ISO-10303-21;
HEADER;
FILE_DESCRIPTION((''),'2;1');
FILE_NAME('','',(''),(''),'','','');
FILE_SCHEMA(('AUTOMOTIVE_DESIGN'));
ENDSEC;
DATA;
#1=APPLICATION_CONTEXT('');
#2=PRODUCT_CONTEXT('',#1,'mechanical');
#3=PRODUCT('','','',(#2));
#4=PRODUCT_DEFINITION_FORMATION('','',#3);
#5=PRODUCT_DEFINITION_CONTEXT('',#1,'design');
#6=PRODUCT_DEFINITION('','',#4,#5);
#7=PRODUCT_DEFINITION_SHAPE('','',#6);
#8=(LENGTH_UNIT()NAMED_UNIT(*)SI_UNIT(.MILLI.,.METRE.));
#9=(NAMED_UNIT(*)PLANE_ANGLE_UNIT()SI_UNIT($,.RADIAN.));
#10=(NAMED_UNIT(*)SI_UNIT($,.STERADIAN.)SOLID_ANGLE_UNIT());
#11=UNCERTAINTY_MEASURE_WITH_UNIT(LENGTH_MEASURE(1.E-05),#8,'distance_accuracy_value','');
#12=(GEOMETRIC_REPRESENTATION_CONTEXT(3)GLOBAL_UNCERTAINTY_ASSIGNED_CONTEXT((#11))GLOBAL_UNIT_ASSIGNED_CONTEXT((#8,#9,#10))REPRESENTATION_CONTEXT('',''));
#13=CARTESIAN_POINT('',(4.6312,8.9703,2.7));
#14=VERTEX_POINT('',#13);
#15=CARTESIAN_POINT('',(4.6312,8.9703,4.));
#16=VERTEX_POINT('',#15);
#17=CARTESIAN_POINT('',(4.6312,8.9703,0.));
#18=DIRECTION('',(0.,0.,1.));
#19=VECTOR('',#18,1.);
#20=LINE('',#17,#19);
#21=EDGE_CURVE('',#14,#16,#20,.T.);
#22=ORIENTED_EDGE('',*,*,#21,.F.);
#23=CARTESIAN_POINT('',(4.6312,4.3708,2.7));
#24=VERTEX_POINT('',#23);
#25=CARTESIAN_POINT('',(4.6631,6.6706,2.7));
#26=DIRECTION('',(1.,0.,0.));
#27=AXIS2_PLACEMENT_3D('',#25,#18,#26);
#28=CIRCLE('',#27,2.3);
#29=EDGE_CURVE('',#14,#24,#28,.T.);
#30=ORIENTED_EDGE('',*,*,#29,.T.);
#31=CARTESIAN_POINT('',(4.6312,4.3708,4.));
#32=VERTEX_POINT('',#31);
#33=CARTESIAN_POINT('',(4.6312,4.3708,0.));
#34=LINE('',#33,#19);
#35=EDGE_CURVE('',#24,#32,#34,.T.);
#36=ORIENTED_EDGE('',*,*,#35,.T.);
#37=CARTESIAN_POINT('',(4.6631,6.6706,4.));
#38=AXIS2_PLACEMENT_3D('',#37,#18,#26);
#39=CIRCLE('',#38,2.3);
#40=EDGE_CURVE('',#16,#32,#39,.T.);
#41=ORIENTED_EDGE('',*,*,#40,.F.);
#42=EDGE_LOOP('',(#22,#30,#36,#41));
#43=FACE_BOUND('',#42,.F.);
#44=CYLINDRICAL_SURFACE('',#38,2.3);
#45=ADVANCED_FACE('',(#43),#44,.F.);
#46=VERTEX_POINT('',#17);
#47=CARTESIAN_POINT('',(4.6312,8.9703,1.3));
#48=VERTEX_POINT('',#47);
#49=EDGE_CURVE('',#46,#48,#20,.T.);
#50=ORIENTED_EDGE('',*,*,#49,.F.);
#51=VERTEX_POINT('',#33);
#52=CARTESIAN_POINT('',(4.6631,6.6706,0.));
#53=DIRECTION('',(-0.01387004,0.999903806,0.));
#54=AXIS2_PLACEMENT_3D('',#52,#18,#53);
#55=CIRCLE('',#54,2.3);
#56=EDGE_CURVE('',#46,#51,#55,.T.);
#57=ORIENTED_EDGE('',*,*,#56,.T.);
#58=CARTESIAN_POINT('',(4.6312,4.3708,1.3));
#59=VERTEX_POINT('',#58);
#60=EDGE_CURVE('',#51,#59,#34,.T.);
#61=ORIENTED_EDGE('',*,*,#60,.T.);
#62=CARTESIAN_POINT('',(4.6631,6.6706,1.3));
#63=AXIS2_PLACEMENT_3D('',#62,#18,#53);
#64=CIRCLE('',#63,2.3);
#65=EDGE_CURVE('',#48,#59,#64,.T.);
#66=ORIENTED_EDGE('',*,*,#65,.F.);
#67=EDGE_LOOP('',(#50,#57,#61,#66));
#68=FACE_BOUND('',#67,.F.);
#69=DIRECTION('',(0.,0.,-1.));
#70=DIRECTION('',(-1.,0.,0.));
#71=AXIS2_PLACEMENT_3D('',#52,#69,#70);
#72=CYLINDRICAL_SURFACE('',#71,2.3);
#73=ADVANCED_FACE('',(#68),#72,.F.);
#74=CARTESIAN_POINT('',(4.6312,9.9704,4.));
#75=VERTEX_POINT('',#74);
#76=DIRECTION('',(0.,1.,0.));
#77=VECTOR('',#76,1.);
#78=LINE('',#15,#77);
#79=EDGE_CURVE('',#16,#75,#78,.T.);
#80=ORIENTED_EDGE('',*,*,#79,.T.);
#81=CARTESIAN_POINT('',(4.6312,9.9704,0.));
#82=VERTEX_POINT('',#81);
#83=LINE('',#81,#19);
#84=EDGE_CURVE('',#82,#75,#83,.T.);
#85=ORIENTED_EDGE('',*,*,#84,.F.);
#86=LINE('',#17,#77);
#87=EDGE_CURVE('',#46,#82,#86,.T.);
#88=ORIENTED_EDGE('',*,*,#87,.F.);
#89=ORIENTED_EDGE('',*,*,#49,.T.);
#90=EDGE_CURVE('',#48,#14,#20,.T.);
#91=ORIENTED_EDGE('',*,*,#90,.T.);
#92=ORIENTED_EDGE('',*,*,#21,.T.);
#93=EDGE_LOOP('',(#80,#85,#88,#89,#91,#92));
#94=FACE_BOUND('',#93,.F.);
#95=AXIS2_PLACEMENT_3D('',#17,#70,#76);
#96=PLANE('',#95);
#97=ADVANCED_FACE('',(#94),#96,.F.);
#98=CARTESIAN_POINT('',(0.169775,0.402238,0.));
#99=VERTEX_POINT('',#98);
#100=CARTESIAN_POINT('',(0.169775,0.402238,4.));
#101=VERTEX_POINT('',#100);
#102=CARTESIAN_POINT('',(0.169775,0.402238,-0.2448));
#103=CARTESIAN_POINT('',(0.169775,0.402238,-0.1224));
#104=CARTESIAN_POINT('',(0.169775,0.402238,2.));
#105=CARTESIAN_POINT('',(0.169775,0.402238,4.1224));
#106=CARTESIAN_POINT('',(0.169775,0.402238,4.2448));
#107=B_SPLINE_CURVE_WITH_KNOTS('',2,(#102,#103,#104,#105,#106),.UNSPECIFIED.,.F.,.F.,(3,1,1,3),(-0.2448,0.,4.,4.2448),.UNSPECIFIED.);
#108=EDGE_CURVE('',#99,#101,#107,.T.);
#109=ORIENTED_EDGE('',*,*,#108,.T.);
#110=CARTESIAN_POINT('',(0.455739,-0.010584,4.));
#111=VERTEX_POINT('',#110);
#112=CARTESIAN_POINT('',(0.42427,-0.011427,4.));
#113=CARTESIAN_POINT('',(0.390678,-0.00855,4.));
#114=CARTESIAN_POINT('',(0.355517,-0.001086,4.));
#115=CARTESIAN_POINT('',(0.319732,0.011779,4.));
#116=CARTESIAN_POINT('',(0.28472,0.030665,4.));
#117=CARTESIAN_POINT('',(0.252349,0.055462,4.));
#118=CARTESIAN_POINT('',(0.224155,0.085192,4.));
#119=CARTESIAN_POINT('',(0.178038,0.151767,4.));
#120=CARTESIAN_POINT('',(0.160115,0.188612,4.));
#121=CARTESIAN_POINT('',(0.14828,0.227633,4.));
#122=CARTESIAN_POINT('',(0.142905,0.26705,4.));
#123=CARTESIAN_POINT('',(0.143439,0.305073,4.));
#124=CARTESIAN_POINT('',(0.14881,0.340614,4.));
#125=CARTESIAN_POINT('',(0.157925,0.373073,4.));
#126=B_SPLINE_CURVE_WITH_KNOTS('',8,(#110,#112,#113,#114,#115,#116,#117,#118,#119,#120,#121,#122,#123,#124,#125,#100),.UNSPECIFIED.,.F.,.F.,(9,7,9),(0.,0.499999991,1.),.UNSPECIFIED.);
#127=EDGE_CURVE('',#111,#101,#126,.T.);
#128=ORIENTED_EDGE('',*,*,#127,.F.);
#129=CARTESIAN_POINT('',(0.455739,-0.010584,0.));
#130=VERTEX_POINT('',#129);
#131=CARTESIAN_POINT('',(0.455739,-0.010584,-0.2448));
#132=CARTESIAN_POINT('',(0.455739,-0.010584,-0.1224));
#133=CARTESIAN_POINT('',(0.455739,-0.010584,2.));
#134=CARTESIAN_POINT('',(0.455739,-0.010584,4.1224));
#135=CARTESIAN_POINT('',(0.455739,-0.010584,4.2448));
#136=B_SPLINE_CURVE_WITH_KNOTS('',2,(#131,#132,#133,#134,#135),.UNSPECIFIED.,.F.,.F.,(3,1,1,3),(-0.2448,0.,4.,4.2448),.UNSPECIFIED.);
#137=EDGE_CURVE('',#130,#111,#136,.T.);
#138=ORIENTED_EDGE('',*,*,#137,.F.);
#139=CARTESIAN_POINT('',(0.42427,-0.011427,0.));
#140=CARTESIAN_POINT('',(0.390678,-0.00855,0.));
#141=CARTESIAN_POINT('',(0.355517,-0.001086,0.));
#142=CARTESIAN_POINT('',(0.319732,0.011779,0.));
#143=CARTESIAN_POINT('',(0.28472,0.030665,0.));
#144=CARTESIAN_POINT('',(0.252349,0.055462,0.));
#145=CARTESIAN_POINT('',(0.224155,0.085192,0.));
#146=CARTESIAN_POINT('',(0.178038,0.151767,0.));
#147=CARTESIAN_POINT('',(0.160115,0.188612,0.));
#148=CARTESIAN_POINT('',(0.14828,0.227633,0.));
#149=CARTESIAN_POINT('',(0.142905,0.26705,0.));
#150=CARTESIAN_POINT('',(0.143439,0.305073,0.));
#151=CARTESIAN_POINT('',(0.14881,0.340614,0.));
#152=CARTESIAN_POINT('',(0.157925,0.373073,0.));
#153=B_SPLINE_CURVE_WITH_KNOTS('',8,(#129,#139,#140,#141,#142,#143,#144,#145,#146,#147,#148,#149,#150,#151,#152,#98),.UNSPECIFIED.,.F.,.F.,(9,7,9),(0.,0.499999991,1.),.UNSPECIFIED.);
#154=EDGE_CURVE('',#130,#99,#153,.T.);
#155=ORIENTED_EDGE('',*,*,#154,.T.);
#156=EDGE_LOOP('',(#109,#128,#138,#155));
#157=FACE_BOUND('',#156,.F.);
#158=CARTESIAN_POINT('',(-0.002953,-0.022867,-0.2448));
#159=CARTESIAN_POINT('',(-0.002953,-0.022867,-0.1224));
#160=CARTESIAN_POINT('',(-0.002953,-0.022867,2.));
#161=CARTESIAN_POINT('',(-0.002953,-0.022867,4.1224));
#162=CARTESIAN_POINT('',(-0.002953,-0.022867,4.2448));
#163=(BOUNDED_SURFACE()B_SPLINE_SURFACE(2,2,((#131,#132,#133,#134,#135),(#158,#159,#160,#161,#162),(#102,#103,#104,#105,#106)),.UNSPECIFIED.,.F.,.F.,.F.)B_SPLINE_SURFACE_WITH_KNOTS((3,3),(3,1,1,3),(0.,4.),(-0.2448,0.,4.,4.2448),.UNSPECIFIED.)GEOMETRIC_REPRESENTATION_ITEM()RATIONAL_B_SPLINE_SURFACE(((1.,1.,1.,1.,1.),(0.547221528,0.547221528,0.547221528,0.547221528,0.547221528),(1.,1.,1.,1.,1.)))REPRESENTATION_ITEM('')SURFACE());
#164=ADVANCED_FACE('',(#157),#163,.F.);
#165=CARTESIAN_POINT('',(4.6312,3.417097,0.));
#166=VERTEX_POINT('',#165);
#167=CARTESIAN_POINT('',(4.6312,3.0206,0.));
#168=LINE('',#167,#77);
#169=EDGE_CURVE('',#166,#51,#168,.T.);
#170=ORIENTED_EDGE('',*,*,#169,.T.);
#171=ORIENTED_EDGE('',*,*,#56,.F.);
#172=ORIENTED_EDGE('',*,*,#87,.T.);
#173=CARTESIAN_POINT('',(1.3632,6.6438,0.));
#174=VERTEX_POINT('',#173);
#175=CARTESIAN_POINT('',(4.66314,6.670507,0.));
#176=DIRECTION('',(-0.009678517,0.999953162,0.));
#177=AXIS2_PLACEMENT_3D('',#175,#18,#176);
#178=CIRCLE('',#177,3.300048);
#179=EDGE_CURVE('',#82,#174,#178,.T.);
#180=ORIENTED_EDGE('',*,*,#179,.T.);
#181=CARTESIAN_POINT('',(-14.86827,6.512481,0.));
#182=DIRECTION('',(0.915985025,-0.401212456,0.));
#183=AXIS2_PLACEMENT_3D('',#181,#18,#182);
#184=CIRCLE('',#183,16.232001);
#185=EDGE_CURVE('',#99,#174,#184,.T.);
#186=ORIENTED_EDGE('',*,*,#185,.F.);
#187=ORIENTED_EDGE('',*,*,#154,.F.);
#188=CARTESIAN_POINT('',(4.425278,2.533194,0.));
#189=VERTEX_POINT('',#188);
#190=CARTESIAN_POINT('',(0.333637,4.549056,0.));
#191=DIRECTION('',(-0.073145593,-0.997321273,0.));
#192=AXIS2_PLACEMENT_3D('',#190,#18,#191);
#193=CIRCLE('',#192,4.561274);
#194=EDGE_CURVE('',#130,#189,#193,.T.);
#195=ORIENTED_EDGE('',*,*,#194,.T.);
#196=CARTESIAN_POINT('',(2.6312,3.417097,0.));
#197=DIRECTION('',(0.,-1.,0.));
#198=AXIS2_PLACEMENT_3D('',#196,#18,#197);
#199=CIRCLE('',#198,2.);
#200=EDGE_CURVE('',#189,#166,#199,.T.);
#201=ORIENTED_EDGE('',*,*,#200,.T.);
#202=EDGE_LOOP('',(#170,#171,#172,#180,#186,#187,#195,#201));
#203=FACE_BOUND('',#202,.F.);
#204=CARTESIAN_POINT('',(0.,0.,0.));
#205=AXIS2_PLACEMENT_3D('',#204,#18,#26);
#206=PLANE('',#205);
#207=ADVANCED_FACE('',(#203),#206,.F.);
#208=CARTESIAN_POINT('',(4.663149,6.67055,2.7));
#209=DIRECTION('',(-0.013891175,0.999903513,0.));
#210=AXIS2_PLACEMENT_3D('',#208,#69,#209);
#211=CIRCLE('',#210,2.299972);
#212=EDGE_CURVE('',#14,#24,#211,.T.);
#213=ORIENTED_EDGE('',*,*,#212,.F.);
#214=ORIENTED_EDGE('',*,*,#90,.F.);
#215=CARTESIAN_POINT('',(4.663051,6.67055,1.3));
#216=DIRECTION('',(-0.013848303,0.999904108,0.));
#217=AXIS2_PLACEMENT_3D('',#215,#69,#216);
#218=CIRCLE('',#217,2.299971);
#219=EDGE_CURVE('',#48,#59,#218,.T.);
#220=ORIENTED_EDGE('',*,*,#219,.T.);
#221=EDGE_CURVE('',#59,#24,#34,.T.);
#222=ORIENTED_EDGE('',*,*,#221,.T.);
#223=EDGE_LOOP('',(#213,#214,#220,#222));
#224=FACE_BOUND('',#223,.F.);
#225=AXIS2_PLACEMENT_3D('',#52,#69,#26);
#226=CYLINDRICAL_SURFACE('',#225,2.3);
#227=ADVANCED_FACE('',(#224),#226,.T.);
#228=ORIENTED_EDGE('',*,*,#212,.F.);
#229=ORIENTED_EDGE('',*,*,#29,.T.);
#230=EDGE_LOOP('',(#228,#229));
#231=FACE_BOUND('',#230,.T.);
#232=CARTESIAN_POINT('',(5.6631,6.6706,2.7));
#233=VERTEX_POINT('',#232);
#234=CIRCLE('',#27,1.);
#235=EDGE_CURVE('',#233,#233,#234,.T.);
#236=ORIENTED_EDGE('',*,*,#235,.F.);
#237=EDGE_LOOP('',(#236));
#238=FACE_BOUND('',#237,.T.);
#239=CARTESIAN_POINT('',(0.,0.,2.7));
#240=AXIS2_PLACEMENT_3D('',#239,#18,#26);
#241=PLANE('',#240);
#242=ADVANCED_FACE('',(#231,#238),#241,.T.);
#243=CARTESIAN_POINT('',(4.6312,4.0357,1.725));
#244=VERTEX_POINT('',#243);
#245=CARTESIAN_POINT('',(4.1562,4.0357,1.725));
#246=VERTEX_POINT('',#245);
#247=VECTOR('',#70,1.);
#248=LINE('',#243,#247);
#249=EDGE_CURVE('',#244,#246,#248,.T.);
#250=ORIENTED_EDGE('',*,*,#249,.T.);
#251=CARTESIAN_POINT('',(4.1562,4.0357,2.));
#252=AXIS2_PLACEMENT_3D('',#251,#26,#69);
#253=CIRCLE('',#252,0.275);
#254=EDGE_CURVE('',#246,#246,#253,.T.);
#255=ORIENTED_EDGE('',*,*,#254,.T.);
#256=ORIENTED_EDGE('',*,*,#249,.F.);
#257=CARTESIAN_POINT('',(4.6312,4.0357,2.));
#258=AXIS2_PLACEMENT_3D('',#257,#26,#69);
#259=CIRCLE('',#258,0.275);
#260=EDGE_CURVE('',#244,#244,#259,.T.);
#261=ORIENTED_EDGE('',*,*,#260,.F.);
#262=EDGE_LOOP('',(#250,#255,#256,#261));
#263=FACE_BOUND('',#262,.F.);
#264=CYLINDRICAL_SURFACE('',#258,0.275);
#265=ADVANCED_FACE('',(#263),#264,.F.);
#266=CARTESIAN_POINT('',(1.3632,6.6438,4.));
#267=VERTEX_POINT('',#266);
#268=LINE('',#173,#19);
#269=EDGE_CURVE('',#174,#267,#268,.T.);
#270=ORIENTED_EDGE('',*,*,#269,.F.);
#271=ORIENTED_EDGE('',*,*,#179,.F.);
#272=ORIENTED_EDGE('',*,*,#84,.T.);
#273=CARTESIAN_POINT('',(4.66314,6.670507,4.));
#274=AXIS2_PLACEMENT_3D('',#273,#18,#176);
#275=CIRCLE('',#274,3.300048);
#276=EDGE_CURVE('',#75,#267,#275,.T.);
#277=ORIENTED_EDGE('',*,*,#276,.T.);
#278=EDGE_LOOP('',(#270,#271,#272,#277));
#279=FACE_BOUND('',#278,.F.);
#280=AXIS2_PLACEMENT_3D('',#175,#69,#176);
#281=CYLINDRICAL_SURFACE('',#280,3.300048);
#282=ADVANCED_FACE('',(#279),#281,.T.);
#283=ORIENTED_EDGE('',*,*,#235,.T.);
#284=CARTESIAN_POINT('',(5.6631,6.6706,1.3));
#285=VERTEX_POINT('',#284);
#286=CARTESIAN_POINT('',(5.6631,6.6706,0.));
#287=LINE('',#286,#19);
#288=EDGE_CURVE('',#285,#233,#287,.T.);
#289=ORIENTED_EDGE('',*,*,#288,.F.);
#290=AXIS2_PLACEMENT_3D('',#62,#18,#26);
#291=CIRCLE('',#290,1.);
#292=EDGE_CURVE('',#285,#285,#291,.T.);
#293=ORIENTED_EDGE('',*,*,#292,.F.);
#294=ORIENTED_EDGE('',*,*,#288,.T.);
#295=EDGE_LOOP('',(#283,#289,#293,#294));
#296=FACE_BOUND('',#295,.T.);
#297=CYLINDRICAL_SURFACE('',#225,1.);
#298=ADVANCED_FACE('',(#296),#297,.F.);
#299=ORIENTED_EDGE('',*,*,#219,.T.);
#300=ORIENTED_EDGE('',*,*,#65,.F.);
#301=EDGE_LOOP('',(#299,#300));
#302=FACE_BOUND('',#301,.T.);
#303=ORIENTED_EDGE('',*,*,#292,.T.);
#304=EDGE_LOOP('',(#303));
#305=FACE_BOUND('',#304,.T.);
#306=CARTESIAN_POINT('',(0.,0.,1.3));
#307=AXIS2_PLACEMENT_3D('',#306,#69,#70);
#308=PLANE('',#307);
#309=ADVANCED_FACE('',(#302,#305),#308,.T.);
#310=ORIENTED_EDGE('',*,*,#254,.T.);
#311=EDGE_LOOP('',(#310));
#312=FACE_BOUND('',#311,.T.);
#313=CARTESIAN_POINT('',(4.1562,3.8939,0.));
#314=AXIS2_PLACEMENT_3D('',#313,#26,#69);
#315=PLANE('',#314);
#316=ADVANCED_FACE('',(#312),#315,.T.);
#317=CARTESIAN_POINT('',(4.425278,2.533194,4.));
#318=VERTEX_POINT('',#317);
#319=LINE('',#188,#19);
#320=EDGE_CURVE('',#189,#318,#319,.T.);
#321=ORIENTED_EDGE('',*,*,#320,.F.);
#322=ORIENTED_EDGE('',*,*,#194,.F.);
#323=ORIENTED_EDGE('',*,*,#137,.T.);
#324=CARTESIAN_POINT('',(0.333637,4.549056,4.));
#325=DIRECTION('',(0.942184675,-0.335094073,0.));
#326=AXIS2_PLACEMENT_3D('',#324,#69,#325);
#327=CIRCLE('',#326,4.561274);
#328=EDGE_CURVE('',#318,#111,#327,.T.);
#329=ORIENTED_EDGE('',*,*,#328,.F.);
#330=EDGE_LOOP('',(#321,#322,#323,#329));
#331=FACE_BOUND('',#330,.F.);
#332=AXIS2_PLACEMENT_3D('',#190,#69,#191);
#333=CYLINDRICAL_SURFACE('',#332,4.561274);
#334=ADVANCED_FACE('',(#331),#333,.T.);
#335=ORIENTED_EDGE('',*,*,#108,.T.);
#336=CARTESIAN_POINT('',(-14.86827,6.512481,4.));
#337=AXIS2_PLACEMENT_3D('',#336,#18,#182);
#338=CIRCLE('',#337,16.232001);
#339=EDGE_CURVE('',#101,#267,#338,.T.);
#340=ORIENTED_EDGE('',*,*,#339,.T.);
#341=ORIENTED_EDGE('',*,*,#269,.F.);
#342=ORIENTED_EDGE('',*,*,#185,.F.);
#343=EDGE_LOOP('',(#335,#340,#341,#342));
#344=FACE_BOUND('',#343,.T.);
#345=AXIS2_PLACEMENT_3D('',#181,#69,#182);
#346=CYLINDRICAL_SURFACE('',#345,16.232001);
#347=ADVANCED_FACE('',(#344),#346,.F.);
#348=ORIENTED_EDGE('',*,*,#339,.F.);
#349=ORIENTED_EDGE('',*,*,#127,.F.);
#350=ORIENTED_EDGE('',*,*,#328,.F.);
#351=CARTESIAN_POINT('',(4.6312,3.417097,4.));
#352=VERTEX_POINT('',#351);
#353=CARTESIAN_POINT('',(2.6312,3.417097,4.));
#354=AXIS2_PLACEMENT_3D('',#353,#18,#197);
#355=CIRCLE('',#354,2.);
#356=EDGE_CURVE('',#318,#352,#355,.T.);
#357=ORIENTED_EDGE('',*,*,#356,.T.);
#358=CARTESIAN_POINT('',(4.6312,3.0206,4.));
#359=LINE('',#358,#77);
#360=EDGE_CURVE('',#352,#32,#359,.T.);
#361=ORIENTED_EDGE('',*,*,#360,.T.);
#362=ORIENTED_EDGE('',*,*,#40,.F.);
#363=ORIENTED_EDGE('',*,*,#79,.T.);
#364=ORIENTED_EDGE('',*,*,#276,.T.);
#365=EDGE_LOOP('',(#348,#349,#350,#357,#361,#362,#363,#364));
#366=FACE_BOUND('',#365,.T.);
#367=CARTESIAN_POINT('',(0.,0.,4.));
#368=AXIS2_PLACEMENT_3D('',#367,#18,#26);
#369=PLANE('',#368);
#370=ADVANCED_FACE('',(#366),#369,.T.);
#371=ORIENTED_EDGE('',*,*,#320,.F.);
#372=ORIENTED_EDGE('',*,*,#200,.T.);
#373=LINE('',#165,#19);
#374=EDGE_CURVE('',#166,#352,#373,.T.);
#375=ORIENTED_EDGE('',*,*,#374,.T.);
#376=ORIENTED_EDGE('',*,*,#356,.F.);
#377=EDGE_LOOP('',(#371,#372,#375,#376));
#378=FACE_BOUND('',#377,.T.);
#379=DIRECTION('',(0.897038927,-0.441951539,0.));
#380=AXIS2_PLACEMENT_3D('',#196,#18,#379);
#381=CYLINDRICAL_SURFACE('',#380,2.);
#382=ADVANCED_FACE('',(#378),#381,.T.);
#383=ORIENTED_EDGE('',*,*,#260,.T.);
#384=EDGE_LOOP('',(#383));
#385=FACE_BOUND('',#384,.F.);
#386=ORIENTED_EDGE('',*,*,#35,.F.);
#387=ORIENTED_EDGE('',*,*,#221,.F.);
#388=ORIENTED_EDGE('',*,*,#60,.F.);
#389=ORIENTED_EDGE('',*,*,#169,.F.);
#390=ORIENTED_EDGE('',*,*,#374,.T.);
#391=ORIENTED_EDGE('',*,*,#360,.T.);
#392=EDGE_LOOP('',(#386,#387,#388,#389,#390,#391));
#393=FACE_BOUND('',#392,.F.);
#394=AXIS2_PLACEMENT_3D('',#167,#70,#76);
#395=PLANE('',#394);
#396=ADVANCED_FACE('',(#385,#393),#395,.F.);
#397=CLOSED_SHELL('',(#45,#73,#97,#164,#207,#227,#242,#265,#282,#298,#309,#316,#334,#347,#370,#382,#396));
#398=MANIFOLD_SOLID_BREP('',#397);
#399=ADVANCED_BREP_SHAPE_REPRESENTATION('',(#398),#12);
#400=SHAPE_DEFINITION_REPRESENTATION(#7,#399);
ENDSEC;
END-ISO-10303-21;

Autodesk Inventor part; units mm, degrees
ref_plane "YZ Plane" through (0, 0, 0) normal (1, 0, 0) x (0, 1, 0)
ref_plane "XZ Plane" through (0, 0, 0) normal (0, 1, 0) x (-1, 0, 0)
sketch "Sketch1" plane through (0, 0, 0) normal (0, 0, 1) x (1, 0, 0)
  line L0 (0, 0) -> (9.3091, 0)
  line L1 (9.3091, 0) -> (9.3091, 10)
  line L2 (9.3091, 10) -> (0, 10)
  line L3 (0, 10) -> (0, 0)
  circle A0 centre (4.6631, 6.6706) radius 2.3
  circle A1 centre (4.6631, 6.6706) radius 1
  line L4 (4.6312, 3.0206) -> (4.6312, 4.3708)
  line L5 (4.6312, 8.9703) -> (4.6312, 9.9704)
  arc A2 (4.6312, 9.9704) -> (1.3632, 6.6438) centre (4.6631, 6.6706) ccw
  arc A3 (4.639, 4.4786) -> (4.6548, 4.4787) centre (4.6389, 7.7786) ccw
  arc A4 (0, 0) -> (1.3632, 6.6438) centre (-14.8677, 6.5123) ccw
  arc A5 (0, 0) -> (4.6312, 3.0206) centre (0.3336, 4.5492) ccw
  dimension "d0" = 10
  dimension "d1" = 4.6
  dimension "d2" = 2
extrude "Extrusion1" add sketch "Sketch1" along normal blind 4 contours A4 A2 L5 A0 L4 A5 L0 | L0 A5 | A0
fillet "Fillet1" radius 2 1 edges at (4.6312, 3.0206, 2)
sketch "Sketch2" plane through (0, 0, 4) normal (0, 0, 1) x (1, 0, 0)
  line L0 (4.6312, 3.4171) -> (4.6312, 4.3708) projected
  arc A0 (4.6312, 4.3708) -> (4.6312, 8.9703) centre (4.6631, 6.6706) ccw projected
  line L1 (4.6312, 8.9703) -> (4.6312, 9.9704) projected
  arc A1 (4.6312, 9.9704) -> (1.3632, 6.6438) centre (4.6631, 6.6706) ccw projected
  circle A2 centre (4.6631, 6.6706) radius 1 projected
  circle A3 centre (4.6631, 6.6706) radius 2.3
  arc A4 (4.4253, 2.5332) -> (4.6312, 3.4171) centre (2.6312, 3.4171) ccw projected
  arc A5 (0, 0) -> (1.3632, 6.6438) centre (-14.8677, 6.5123) ccw projected
  arc A6 (0, 0) -> (4.4253, 2.5332) centre (0.3336, 4.5492) ccw projected
extrude "Extrusion2" cut sketch "Sketch2" against normal blind 1.3 contours A3 A0
sketch "Sketch3" plane through (0, 0, 0) normal (0, 0, -1) x (-1, 0, 0)
  arc A0 (-1.3632, 6.6438) -> (-4.6312, 9.9704) centre (-4.6631, 6.6706) ccw projected
  line L0 (-4.6312, 8.9703) -> (-4.6312, 9.9704) projected
  arc A1 (-4.6312, 8.9703) -> (-4.6312, 4.3708) centre (-4.6631, 6.6706) ccw projected
  line L1 (-4.6312, 3.4171) -> (-4.6312, 4.3708) projected
  circle A2 centre (-4.6631, 6.6706) radius 1 projected
  circle A3 centre (-4.6631, 6.6706) radius 2.3
  arc A4 (-4.6312, 3.4171) -> (-4.4253, 2.5332) centre (-2.6312, 3.4171) ccw projected
  arc A5 (-4.4253, 2.5332) -> (0, 0) centre (-0.3336, 4.5492) ccw projected
  arc A6 (-1.3632, 6.6438) -> (0, 0) centre (14.8677, 6.5123) ccw projected
extrude "Extrusion3" cut sketch "Sketch3" against normal blind 1.3 contours A3 A1
ref_plane "Work Plane5" through (4.6312, 3.8939, 0) normal (1, 0, 0) x (0, 0, -1)
sketch "Sketch6" plane through (4.6312, 3.8939, 0) normal (1, 0, 0) x (0, 0, -1)
  line L0 (0, -0.4768) -> (0, 0.4768) projected
  line L1 (0, 0.4768) -> (-1.3, 0.4768) projected
  line L2 (-1.3, 0.4768) -> (-2.7, 0.4768) projected
  line L3 (-2.7, 0.4768) -> (-4, 0.4768) projected
  line L4 (-4, -0.4768) -> (-4, 0.4768) projected
  circle A0 centre (-2, 0.1418) radius 0.275
  line L5 (-4, -0.4768) -> (-4, 0.4768) projected
  line L6 (0, -0.4768) -> (-4, -0.4768) projected
  line L7 (0, -0.4768) -> (0, 0.4768) projected
  line L8 (-4, 0.4768) -> (0, 0.4768)
  line L9 (0, 0.4768) -> (0, -0.1932)
  line L10 (0, -0.1932) -> (-4, -0.1932)
  line L11 (-4, -0.1932) -> (-4, 0.4768)
  line L12 (-4, 0.4768) -> (0, -0.1932) construction
  line L13 (-4, -0.1932) -> (0, 0.4768) construction
  point P0 (0, -3.8939)
  dimension "d22" = 0.55
  dimension "d26" = 0.67
extrude "Extrusion6" cut sketch "Sketch6" against normal blind 0.475 contours A0
fillet "Fillet2" radius 0.3 1 edges at (0, 0, 2)
properties material "Liga de Nickel-Copper 400"
